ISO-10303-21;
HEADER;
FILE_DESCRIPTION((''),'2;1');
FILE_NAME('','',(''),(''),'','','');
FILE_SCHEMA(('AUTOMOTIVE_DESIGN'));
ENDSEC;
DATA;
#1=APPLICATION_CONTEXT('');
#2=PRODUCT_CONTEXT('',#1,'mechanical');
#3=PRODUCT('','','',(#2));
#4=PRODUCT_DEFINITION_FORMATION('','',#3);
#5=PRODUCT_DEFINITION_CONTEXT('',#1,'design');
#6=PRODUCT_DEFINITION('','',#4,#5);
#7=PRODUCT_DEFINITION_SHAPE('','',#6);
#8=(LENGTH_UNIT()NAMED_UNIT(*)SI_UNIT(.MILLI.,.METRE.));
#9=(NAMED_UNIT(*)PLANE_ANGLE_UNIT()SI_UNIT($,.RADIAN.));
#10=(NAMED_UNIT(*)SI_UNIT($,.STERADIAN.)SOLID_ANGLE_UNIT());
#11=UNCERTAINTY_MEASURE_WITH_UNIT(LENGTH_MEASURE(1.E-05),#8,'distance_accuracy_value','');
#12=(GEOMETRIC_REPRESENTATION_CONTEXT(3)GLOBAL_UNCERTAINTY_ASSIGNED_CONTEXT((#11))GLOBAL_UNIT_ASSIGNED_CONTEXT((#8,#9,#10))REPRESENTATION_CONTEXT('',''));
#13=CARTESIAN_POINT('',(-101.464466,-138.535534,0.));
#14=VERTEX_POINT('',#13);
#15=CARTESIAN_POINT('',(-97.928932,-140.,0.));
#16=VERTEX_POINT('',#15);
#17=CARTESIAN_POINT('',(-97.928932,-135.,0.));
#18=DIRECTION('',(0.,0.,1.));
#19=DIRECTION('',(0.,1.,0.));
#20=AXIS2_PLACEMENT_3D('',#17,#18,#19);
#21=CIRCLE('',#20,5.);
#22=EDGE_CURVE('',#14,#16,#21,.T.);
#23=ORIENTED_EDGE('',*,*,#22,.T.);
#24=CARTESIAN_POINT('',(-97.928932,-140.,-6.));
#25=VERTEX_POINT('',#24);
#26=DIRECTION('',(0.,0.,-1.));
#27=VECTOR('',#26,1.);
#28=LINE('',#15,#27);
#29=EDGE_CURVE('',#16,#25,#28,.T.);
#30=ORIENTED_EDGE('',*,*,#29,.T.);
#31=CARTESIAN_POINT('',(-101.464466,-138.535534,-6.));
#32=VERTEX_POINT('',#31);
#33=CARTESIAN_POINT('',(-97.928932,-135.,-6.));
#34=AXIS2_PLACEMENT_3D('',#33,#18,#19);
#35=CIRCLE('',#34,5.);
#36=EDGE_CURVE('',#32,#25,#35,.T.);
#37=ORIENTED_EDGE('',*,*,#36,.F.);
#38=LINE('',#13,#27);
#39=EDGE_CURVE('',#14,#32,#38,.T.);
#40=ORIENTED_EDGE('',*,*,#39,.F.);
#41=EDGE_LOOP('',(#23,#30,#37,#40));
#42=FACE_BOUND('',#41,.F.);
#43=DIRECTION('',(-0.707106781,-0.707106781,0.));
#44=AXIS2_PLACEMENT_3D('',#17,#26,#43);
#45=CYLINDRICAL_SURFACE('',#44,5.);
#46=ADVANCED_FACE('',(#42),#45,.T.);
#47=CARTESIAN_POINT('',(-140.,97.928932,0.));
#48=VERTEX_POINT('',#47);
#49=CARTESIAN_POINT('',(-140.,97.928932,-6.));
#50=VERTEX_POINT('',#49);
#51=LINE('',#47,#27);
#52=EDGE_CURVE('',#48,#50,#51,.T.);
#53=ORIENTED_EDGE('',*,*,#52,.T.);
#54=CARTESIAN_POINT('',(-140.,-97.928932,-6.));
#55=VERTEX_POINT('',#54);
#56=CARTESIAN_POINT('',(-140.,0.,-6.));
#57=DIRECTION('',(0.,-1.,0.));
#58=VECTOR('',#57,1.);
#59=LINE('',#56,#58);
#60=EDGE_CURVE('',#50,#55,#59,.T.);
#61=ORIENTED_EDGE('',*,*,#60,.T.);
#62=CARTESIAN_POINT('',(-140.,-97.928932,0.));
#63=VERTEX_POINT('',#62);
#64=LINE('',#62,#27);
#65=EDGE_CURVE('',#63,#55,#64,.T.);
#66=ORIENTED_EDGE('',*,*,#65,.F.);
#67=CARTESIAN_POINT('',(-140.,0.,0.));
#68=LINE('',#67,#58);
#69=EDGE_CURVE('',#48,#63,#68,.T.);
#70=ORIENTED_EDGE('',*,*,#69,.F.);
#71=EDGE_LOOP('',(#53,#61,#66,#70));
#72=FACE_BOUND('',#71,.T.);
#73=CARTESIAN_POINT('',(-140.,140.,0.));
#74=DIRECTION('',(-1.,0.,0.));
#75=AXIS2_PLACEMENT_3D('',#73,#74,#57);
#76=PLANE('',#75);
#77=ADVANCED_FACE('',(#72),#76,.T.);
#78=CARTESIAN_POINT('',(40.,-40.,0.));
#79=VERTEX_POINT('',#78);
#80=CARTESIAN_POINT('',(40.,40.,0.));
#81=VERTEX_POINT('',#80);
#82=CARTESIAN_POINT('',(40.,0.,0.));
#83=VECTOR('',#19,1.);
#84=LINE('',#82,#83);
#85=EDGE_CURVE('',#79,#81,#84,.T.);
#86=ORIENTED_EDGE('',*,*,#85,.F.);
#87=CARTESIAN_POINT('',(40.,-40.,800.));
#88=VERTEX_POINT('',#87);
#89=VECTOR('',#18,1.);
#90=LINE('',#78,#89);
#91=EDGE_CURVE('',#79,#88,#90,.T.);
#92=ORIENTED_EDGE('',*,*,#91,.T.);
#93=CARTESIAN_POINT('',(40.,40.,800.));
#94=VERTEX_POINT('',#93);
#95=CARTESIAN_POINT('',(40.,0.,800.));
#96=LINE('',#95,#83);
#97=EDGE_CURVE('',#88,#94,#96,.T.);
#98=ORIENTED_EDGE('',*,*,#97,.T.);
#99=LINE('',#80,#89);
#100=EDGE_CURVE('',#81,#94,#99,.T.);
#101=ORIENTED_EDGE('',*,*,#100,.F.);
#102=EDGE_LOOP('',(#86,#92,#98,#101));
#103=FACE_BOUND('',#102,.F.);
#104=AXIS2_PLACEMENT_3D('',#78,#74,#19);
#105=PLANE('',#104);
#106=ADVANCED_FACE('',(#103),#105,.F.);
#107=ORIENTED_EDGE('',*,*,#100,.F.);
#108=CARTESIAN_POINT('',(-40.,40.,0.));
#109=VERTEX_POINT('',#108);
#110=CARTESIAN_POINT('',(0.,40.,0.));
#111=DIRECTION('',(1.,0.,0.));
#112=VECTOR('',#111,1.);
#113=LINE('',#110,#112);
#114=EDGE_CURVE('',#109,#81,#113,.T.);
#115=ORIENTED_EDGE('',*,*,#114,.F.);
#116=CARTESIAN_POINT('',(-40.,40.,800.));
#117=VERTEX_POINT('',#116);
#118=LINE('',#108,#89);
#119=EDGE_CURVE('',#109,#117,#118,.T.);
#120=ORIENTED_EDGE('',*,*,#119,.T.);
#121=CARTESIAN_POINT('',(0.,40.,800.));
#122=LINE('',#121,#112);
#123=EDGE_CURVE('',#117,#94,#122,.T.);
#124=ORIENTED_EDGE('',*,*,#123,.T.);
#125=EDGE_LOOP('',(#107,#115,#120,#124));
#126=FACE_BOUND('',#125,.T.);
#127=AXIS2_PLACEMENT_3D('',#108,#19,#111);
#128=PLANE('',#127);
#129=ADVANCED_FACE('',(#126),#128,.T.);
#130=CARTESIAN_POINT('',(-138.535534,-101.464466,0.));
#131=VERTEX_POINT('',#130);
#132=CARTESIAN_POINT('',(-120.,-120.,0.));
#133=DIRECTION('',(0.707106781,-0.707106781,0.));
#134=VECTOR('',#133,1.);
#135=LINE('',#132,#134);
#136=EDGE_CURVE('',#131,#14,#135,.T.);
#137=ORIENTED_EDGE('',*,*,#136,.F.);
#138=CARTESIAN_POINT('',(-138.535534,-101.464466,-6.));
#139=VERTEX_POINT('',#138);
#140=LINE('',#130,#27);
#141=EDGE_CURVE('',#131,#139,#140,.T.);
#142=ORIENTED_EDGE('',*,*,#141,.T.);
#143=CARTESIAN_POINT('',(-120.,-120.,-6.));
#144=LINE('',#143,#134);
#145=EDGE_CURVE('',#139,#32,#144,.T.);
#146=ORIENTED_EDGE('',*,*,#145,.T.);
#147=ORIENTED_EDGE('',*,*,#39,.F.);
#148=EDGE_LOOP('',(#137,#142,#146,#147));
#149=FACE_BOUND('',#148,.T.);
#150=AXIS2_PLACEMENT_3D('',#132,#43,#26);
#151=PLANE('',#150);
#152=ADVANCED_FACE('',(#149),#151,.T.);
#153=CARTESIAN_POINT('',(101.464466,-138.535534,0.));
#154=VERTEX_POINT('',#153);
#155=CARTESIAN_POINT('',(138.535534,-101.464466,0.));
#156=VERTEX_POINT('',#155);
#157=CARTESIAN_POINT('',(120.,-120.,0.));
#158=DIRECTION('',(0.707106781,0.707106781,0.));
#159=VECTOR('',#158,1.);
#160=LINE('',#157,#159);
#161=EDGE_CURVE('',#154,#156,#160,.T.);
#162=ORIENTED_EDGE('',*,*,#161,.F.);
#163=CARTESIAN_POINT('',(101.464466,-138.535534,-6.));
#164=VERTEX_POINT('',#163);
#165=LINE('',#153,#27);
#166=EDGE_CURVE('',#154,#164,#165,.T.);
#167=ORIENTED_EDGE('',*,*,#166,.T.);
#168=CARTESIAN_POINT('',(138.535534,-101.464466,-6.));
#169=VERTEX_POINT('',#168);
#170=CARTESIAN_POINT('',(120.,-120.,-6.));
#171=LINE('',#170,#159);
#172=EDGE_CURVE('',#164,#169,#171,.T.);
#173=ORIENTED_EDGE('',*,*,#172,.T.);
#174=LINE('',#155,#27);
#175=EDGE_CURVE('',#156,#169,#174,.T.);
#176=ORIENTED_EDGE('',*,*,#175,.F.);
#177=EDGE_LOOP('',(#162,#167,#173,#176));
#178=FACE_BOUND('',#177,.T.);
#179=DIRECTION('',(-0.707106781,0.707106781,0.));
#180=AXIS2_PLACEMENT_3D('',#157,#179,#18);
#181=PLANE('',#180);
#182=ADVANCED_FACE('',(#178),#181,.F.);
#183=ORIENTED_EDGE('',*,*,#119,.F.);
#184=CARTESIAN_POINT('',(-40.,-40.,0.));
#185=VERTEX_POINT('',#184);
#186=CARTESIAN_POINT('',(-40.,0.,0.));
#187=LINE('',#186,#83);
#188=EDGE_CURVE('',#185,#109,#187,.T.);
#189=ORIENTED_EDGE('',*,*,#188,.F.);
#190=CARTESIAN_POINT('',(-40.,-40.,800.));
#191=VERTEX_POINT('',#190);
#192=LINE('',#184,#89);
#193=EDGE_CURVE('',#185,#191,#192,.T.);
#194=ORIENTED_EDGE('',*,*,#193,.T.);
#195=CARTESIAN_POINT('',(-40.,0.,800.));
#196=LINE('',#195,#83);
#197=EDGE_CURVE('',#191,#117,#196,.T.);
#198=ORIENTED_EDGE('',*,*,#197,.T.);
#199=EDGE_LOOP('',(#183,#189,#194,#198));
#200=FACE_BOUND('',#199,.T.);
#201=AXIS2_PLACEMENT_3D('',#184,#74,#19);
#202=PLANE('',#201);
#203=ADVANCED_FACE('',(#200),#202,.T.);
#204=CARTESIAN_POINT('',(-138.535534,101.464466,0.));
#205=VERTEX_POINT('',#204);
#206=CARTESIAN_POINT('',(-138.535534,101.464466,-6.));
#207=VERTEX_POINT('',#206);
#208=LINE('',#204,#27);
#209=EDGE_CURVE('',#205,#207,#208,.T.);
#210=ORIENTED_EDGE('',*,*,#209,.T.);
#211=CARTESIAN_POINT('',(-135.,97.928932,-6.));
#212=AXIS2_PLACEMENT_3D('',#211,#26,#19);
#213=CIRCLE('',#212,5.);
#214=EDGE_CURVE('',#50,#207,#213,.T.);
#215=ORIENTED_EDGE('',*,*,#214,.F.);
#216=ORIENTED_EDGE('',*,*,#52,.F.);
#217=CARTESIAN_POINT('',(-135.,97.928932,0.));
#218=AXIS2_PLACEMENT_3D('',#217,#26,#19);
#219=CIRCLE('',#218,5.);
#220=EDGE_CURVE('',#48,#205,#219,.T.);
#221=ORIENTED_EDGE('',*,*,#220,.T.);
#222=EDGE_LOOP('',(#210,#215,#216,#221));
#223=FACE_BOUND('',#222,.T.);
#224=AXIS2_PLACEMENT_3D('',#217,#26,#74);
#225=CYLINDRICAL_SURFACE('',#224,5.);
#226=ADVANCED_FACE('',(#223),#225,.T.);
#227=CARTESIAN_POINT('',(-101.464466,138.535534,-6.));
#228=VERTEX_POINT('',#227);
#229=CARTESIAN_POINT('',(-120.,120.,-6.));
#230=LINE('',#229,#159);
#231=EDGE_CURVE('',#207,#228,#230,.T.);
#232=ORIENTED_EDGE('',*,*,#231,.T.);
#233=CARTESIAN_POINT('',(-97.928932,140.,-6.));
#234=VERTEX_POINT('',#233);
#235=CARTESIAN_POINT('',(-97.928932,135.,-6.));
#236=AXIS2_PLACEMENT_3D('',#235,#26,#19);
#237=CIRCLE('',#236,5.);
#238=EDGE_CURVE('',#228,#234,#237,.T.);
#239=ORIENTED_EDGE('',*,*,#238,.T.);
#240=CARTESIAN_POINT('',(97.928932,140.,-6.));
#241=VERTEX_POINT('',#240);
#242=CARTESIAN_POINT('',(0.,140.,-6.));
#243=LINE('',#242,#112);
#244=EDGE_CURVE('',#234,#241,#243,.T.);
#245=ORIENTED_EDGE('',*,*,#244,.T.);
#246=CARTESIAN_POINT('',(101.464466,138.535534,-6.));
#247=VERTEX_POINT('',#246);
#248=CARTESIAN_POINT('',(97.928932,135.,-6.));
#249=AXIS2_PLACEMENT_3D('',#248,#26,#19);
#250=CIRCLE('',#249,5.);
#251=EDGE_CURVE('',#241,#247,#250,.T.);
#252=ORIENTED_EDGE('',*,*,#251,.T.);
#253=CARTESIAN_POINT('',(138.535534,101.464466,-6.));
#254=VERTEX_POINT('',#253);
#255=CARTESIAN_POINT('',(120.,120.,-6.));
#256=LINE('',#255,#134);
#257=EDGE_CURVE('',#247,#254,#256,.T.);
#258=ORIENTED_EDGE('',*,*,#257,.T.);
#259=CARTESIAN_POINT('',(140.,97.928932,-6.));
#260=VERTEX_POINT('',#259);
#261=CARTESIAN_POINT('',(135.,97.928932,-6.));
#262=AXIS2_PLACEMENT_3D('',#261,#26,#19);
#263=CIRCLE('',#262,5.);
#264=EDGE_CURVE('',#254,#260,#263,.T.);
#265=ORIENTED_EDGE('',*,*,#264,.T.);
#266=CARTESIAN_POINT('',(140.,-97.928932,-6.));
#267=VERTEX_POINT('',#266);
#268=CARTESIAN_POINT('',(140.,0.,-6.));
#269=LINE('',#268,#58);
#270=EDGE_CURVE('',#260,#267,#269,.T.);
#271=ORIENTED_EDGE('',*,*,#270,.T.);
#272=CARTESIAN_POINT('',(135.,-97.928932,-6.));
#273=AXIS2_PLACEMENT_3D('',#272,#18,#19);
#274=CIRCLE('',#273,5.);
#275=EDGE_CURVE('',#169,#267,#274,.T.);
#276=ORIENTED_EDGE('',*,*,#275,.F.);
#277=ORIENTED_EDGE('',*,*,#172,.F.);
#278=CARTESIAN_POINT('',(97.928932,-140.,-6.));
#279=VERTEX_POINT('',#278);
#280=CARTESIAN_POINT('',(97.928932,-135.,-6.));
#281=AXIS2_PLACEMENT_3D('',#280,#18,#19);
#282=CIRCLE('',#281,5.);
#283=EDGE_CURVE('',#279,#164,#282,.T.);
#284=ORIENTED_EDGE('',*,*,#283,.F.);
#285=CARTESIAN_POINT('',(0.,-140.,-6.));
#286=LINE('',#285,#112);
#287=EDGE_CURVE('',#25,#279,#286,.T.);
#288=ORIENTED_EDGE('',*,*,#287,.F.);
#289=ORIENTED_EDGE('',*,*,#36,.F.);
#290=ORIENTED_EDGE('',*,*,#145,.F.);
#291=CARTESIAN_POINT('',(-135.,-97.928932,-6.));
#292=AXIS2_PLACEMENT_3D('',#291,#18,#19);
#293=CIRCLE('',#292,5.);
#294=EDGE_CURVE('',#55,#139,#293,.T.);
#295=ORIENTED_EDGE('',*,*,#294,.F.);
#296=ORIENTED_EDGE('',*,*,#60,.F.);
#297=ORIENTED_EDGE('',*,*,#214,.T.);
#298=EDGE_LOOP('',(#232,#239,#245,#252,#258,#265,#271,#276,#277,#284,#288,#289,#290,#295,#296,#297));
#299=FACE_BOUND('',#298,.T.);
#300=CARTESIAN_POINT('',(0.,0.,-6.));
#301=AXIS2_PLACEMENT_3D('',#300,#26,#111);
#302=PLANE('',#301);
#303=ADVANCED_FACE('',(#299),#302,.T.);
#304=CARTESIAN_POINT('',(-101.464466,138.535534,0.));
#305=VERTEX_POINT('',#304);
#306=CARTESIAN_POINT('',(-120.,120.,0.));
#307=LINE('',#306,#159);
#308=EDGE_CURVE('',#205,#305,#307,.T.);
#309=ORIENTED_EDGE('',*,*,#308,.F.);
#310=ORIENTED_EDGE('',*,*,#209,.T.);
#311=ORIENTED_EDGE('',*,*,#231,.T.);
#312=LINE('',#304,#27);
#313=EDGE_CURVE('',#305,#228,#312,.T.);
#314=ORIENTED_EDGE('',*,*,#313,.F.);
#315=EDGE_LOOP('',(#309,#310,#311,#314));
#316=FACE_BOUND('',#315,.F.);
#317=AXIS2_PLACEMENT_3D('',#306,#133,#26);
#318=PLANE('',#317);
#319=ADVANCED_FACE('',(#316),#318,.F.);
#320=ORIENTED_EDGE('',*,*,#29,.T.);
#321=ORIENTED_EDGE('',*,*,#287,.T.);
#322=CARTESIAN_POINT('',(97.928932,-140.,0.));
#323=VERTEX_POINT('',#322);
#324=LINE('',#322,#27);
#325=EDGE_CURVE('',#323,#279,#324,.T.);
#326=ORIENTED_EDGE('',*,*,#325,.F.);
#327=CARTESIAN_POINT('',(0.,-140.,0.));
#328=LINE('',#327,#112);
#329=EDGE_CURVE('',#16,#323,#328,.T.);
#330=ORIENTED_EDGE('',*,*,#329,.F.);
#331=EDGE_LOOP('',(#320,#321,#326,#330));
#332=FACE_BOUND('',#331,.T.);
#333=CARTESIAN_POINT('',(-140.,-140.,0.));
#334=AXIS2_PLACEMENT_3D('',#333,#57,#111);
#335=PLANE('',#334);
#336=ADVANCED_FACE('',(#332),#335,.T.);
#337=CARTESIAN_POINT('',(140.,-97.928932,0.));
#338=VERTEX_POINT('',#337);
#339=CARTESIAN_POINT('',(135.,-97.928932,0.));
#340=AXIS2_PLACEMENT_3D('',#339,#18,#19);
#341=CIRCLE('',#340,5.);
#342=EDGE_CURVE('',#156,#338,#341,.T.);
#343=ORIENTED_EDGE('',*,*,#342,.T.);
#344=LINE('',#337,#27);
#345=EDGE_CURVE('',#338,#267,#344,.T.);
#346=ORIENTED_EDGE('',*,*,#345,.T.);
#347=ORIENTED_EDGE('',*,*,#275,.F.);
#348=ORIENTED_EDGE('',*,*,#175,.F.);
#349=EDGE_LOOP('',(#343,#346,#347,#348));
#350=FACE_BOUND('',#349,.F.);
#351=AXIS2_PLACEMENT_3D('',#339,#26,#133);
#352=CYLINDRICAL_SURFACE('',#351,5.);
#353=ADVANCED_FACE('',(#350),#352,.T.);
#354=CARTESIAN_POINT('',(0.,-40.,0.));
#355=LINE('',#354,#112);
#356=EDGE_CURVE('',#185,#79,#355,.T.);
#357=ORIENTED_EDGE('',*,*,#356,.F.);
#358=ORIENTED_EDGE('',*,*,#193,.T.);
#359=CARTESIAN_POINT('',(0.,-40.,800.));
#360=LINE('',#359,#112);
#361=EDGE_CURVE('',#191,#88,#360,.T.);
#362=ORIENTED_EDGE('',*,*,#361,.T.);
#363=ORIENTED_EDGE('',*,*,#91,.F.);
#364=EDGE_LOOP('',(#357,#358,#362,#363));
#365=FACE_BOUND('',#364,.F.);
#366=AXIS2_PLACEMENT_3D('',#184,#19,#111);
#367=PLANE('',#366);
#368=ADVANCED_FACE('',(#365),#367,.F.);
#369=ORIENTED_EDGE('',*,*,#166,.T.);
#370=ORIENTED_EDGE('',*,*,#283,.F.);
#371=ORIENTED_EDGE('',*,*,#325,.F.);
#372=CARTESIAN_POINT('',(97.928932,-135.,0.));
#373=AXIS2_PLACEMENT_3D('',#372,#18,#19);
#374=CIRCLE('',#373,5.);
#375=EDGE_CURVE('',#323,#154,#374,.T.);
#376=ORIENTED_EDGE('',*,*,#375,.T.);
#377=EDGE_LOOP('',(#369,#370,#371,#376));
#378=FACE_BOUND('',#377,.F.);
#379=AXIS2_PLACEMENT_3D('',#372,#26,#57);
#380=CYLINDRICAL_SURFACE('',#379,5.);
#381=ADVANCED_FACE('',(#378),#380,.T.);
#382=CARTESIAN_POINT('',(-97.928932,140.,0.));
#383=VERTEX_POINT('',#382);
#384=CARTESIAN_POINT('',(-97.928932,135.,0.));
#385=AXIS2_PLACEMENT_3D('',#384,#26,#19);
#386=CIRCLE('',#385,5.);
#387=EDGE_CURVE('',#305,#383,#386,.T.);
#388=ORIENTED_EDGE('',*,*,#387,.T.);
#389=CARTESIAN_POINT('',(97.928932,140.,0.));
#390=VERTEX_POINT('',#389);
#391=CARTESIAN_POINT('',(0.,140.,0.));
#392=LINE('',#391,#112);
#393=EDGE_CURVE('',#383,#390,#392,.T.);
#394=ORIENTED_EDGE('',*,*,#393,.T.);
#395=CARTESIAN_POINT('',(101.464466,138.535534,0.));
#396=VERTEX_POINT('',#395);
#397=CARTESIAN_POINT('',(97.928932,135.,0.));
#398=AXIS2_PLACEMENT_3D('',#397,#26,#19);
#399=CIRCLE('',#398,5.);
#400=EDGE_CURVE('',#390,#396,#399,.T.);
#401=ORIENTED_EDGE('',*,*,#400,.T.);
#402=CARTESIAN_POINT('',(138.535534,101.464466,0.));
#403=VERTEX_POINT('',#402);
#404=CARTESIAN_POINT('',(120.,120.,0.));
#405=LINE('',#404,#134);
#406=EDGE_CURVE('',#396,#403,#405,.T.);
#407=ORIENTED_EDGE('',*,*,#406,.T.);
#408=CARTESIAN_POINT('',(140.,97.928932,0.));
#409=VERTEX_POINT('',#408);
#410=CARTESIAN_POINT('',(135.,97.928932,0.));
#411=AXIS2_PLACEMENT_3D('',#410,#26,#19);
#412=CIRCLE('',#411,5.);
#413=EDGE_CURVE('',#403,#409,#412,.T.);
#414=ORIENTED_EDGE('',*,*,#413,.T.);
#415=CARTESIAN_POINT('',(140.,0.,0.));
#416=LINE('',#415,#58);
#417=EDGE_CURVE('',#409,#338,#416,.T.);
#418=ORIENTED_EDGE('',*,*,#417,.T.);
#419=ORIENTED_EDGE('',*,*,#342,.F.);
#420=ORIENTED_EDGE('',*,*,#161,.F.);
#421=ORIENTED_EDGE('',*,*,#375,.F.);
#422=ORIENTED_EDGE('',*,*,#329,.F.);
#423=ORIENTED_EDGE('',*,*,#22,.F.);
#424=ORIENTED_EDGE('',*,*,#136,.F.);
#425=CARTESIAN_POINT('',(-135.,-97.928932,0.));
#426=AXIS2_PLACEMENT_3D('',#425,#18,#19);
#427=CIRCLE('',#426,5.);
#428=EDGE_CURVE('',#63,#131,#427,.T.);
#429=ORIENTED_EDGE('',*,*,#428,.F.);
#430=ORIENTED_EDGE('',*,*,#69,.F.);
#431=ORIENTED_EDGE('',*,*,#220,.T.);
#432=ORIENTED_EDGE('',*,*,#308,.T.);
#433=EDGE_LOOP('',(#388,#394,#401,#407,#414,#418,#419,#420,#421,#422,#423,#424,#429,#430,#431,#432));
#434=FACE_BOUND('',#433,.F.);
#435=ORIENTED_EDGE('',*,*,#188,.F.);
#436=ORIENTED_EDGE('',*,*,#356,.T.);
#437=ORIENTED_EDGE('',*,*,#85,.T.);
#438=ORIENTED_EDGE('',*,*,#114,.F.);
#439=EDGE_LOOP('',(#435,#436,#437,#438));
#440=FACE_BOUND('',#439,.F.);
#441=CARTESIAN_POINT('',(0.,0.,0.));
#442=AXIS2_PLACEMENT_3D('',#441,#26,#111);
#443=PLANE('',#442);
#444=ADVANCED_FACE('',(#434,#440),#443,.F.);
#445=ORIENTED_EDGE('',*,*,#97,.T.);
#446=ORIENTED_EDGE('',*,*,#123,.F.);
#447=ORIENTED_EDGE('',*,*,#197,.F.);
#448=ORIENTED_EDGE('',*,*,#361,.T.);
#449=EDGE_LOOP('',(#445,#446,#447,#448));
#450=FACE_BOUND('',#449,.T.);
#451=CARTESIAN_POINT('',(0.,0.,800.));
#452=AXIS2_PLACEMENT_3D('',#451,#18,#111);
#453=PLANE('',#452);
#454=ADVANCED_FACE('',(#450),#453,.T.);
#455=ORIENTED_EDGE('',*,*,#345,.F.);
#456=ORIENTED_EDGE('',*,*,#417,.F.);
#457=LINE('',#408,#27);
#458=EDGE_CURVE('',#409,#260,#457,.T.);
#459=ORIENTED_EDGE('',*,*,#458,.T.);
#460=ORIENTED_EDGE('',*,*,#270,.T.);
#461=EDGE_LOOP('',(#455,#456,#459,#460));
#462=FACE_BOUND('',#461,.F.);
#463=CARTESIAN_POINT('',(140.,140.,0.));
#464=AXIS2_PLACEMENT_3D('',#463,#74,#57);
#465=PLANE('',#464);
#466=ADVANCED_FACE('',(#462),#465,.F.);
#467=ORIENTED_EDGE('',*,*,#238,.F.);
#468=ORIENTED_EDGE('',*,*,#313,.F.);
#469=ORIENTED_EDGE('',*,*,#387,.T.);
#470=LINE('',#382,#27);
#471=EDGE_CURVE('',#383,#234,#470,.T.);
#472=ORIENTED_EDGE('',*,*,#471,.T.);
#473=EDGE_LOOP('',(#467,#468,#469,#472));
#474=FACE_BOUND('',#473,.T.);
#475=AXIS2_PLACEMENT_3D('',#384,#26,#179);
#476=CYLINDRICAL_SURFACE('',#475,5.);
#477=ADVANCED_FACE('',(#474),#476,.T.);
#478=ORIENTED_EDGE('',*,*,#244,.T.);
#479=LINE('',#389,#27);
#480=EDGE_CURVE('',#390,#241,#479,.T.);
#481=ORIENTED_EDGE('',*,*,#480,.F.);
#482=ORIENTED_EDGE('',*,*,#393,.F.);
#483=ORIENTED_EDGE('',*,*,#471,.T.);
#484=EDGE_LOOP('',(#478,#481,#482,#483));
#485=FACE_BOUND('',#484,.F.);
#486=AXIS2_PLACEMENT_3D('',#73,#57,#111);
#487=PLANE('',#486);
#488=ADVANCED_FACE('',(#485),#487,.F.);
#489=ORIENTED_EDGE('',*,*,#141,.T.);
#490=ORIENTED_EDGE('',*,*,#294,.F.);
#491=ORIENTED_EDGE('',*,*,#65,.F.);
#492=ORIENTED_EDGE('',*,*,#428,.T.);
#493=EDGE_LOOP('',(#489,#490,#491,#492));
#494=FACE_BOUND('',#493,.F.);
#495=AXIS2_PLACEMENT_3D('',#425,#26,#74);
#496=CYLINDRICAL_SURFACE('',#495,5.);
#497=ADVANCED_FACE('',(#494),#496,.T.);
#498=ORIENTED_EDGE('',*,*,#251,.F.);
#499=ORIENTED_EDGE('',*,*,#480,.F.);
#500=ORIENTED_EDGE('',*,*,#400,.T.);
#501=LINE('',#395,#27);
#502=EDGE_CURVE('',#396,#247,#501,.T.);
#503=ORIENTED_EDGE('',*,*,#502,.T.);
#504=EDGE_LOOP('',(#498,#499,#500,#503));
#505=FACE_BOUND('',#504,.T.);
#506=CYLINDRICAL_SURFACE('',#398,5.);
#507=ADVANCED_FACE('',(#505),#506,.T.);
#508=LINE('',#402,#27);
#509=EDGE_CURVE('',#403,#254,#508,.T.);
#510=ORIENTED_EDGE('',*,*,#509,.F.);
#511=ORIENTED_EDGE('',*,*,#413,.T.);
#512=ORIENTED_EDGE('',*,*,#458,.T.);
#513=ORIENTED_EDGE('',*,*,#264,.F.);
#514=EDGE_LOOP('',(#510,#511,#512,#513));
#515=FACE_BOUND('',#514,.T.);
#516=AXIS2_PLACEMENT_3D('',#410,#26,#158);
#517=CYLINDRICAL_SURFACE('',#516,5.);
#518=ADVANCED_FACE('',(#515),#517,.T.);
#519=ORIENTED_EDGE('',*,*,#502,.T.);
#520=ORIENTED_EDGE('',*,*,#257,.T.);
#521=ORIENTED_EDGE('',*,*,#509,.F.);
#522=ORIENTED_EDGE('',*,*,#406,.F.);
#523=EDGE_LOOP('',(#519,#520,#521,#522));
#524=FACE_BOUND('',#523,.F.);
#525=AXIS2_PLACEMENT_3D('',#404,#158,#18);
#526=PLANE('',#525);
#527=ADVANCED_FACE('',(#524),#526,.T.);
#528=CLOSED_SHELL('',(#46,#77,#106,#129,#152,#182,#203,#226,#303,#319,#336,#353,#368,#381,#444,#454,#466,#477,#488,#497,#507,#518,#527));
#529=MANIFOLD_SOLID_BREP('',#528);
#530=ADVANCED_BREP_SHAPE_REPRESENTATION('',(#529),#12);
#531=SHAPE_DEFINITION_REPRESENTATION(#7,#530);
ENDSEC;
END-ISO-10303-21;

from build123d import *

# Parameters (mm, degrees)
F0_W     = 80
F0_H     = 80
F1_DEPTH = 800
F2_W     = 280
F2_H     = 280
F3_DEPTH = 6
F4_SIZE  = 40
F5_R     = 5


with BuildPart() as f1:
    # F0 (on Top) → F1 (new body)
    with BuildSketch(Plane.XY):
        Rectangle(F0_W, F0_H)
    extrude(amount=F1_DEPTH)

    # F2 (on face) → F3 (join)
    with BuildSketch(Plane(origin=(0, 0, 0), x_dir=(1, 0, 0), z_dir=(0, 0, -1))):
        Rectangle(F2_W, F2_H)
    extrude(amount=F3_DEPTH)

    # F4
    f4_edges = [f1.edges().sort_by_distance(p)[0] for p in [
        (140, -140, -3),
        (140, 140, -3),
        (-140, 140, -3),
        (-140, -140, -3),
    ]]
    chamfer(f4_edges, length=F4_SIZE)

    # F5
    f5_edges = [f1.edges().sort_by_distance(p)[0] for p in [
        (140, -100, -3),
        (100, -140, -3),
        (140, 100, -3),
        (100, 140, -3),
        (-100, 140, -3),
        (-140, 100, -3),
        (-100, -140, -3),
        (-140, -100, -3),
    ]]
    fillet(f5_edges, radius=F5_R)


solid = f1.part
